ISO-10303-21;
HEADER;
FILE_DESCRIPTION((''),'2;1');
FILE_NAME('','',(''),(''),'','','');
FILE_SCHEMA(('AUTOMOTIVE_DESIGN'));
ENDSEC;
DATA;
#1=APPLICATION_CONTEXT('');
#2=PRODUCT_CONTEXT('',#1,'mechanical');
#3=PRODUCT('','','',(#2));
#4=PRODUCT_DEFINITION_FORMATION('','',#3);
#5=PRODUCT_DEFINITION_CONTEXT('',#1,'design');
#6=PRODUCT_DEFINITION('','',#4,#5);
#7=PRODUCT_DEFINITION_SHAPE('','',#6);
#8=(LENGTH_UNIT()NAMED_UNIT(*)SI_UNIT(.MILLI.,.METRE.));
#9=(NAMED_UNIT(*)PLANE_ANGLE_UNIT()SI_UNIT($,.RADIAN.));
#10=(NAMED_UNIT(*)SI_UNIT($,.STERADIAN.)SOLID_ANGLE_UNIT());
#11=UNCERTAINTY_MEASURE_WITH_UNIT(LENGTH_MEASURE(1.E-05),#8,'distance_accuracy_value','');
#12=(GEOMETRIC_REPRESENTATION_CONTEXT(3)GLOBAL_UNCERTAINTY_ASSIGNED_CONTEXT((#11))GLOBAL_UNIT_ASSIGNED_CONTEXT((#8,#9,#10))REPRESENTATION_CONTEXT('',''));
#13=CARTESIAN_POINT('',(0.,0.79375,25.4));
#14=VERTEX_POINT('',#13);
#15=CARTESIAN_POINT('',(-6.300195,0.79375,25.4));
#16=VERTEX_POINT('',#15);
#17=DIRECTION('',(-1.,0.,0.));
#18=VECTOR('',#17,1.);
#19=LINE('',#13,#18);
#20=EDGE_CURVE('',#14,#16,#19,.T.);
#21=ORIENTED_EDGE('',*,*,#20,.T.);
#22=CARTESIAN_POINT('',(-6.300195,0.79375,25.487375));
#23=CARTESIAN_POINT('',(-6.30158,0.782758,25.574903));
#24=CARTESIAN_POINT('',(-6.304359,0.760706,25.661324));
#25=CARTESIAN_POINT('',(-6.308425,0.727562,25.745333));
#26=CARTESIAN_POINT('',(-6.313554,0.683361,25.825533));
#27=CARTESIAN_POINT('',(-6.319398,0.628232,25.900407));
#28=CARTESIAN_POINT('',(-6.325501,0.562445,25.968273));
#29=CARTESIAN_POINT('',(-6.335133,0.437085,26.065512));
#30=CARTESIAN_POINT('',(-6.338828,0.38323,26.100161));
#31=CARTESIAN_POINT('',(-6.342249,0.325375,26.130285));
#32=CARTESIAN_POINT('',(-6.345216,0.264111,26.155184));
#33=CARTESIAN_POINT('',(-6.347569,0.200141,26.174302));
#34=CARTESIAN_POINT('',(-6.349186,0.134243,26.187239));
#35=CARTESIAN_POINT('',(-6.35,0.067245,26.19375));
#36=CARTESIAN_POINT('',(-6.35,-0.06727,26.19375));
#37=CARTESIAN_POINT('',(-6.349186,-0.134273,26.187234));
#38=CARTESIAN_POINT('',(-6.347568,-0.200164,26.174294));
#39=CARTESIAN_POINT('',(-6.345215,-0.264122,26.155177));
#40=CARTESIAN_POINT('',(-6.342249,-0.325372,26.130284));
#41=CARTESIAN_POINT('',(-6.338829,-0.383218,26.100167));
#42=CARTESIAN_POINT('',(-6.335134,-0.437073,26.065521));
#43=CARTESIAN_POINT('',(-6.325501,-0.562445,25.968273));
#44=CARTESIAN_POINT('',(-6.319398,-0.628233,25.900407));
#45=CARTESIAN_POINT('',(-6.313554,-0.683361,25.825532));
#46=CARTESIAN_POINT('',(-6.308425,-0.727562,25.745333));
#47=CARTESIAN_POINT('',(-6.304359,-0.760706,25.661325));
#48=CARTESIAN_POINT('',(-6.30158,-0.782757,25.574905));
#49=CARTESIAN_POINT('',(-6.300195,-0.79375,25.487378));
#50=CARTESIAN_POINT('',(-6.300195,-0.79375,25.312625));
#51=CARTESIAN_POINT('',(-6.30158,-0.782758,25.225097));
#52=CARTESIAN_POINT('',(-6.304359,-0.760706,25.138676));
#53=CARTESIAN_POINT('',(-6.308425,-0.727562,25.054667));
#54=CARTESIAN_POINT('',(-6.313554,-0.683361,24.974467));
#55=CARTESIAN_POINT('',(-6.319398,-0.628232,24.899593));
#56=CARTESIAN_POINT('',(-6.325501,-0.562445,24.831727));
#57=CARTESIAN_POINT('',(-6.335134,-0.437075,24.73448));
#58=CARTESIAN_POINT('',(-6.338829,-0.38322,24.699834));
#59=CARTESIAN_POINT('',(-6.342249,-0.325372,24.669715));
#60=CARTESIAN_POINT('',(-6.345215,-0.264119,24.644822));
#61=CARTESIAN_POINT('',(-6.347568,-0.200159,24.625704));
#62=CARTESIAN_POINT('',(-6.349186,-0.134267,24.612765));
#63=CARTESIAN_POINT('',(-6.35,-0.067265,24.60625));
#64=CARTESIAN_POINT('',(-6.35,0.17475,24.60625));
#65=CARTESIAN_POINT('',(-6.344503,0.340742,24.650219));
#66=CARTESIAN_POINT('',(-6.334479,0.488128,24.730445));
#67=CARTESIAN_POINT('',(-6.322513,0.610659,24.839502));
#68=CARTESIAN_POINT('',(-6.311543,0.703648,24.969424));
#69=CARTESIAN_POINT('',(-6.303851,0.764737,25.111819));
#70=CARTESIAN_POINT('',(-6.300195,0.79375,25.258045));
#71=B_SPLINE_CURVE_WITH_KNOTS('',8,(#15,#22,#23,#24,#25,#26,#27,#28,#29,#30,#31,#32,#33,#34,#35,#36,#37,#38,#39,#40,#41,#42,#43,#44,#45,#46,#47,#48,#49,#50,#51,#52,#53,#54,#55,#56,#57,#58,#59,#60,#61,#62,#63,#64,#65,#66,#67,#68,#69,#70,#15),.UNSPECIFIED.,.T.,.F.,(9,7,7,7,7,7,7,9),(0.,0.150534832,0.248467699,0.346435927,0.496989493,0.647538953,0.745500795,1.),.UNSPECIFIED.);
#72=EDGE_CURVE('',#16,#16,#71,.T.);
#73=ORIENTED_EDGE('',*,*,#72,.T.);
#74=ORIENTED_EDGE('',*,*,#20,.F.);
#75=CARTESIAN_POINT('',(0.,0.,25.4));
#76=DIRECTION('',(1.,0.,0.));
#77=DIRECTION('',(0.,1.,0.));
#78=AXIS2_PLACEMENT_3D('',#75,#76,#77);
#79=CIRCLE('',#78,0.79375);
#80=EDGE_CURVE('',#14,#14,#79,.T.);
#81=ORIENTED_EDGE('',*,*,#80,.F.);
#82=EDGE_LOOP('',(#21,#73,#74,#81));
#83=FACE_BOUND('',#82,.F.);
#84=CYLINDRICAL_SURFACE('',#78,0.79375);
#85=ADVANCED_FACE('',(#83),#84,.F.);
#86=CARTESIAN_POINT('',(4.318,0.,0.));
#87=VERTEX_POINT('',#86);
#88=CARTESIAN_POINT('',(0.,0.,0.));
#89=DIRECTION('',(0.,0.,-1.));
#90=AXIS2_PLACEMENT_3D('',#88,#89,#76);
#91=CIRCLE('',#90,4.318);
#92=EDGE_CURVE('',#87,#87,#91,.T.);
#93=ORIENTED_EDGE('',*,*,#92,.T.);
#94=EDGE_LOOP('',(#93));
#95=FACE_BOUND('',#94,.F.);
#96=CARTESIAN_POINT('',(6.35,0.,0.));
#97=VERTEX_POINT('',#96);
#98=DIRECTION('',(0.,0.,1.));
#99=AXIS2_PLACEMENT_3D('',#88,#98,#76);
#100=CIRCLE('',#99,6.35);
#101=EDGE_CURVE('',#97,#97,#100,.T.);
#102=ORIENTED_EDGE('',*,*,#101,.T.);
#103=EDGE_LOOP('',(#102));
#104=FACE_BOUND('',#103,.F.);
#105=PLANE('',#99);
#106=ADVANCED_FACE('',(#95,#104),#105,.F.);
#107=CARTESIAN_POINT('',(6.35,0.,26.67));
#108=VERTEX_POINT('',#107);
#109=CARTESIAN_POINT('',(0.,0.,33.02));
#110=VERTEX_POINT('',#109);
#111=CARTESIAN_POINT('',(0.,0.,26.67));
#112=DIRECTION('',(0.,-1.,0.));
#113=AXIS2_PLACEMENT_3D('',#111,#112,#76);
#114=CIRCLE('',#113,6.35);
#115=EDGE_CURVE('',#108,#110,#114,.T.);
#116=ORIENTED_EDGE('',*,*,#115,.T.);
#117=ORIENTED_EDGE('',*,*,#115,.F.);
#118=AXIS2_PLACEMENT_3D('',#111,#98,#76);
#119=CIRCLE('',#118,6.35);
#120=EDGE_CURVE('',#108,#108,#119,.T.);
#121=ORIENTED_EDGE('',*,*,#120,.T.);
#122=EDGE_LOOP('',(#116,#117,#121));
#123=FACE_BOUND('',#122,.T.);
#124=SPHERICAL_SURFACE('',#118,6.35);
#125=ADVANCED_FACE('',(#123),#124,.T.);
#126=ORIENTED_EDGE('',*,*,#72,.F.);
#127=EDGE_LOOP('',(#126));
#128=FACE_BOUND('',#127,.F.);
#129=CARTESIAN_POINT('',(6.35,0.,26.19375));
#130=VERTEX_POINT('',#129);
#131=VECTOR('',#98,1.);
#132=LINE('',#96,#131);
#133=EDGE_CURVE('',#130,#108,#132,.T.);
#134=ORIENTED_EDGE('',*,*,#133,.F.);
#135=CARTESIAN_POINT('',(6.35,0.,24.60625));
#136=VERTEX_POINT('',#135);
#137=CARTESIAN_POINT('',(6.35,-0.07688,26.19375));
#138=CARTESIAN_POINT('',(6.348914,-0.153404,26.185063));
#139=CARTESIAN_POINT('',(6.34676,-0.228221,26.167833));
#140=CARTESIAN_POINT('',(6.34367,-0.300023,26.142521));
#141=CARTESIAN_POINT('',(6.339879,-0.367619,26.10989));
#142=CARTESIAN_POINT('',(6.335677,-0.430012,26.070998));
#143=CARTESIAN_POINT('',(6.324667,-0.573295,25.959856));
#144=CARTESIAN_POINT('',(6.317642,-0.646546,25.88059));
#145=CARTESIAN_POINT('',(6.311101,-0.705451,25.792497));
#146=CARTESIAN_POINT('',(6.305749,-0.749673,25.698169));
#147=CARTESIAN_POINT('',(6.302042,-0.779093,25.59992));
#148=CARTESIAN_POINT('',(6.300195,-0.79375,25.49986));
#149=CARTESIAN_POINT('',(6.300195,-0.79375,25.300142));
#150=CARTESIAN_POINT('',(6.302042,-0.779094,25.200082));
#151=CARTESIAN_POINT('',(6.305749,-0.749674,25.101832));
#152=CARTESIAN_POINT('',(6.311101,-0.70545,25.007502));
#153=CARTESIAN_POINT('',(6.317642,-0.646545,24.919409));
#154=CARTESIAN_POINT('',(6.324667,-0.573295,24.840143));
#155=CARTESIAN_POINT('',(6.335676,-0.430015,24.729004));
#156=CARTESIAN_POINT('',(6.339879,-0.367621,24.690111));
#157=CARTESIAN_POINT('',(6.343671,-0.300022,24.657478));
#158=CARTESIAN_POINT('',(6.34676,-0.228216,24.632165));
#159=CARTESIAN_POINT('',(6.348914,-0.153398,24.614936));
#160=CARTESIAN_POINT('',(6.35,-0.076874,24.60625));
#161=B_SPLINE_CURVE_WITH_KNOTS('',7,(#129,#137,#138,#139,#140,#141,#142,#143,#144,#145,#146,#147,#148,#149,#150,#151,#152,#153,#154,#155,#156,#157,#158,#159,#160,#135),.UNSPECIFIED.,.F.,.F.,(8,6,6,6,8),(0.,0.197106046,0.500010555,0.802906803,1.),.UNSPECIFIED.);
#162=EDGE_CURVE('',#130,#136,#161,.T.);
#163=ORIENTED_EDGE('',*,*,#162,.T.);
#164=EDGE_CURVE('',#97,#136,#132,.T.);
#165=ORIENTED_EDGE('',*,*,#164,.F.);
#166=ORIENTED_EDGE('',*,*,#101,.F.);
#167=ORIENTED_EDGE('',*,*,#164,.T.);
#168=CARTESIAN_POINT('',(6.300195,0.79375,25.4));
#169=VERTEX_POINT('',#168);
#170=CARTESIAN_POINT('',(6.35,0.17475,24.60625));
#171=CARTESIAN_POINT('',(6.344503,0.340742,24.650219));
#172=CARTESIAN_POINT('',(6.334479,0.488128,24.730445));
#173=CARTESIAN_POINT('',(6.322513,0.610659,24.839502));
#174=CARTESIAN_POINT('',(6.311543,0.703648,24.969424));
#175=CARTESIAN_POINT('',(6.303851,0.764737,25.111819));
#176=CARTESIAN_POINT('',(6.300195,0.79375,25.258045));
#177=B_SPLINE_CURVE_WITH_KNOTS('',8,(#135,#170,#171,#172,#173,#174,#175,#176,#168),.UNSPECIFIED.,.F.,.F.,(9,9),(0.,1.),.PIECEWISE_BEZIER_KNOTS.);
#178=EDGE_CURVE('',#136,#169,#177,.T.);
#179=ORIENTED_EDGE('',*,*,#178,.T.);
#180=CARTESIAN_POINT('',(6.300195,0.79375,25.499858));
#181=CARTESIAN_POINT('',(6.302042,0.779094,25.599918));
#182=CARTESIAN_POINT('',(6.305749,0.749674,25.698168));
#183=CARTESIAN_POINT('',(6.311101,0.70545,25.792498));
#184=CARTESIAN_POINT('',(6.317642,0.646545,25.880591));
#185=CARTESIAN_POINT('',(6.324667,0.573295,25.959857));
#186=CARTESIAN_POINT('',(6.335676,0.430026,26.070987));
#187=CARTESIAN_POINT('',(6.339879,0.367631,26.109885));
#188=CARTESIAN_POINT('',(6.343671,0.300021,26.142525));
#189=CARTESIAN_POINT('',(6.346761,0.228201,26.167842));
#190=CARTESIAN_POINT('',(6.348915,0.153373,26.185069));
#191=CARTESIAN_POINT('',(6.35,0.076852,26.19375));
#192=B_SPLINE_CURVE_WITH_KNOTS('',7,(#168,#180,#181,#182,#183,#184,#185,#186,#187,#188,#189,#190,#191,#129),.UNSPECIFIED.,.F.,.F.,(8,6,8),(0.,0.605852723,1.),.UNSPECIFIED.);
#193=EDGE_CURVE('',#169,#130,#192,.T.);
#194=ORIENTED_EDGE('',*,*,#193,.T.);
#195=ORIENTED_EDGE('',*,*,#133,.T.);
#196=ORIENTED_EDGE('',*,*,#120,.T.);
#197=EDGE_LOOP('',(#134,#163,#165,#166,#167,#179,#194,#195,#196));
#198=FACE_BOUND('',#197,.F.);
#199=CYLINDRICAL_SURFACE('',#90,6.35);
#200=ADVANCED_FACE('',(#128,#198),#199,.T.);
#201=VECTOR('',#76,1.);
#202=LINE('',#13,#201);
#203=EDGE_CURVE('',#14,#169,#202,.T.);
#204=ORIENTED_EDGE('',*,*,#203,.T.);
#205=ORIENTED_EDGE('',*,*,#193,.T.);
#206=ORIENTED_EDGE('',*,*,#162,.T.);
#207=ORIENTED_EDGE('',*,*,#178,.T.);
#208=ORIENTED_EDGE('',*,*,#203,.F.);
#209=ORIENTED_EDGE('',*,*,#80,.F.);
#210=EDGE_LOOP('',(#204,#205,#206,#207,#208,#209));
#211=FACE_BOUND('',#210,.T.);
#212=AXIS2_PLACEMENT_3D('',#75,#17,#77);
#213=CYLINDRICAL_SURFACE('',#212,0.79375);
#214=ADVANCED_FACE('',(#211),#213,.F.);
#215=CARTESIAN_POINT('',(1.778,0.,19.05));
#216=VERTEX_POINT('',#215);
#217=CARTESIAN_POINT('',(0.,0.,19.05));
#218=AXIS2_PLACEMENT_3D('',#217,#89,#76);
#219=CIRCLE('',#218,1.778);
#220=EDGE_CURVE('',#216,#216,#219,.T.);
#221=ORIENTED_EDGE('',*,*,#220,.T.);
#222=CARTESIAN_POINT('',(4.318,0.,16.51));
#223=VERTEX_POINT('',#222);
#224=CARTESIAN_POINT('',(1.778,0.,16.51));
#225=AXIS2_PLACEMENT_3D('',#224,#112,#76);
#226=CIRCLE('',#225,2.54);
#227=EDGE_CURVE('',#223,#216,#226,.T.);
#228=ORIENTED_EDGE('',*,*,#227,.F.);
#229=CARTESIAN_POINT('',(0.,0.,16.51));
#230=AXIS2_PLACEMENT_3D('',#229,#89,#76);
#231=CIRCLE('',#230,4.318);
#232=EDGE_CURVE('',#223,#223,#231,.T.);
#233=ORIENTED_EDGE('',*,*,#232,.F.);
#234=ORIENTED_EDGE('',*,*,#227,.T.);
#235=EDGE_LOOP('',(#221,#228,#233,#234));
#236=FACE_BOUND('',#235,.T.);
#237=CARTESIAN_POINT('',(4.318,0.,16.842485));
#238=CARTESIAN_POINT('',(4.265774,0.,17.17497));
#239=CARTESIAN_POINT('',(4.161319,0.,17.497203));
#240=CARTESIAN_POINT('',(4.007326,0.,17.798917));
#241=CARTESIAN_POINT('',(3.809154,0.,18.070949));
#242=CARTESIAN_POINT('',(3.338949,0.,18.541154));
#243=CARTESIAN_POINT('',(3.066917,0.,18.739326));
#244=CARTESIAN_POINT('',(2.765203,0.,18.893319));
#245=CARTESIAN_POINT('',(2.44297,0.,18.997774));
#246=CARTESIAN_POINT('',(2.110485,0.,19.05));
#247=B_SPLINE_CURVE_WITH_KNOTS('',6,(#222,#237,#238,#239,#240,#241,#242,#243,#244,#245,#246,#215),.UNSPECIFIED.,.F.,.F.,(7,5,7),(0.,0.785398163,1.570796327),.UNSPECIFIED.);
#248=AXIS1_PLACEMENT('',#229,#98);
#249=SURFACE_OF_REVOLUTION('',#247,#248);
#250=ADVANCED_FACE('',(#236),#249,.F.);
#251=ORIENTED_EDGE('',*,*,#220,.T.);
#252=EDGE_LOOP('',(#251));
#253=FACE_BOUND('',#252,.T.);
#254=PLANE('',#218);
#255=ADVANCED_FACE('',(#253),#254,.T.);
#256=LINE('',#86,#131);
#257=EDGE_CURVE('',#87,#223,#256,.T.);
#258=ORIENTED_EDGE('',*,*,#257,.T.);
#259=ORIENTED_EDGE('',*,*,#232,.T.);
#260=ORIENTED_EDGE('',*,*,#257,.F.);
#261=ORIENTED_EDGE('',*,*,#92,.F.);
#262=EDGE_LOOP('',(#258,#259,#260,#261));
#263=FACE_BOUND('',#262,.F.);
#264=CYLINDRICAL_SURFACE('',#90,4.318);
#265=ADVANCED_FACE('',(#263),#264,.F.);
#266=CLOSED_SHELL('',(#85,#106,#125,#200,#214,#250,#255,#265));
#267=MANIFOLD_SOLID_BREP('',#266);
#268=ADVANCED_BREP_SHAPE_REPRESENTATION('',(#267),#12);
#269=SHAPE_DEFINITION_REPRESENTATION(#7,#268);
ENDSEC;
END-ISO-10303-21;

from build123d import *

# Parameters (mm, degrees)
F0_R          = 6.35
F1_DEPTH      = 33.02
F2_R          = 6.35
F3_R          = 0.79375
F4_DEPTH      = 6.351
F4_DEPTH_BACK = 25.4
F5_R          = 4.318
F6_DEPTH      = 19.05
F7_R          = 2.54


with BuildPart() as f1:
    # F0 (on Top) → F1 (new body)
    with BuildSketch(Plane.XY):
        Circle(F0_R)
    extrude(amount=F1_DEPTH)

    # F2
    f2_edges = [f1.edges().sort_by_distance(p)[0] for p in [
        (-6.35, 0, 33.02),
    ]]
    fillet(f2_edges, radius=F2_R)

    # F3 (on Right) → F4 (cut, two sides)
    with BuildSketch(Plane.YZ) as f4_sk:
        with Locations((0, 25.4)):
            Circle(F3_R)
    extrude(amount=F4_DEPTH, mode=Mode.SUBTRACT)
    extrude(f4_sk.sketch, amount=-F4_DEPTH_BACK, mode=Mode.SUBTRACT)

    # F5 (on face) → F6 (cut)
    with BuildSketch(Plane(origin=(0, 0, 0), x_dir=(1, 0, 0), z_dir=(0, 0, -1))):
        Circle(F5_R)
    extrude(amount=-F6_DEPTH, mode=Mode.SUBTRACT)

    # F7
    f7_edges = [f1.edges().sort_by_distance(p)[0] for p in [
        (-4.318, 0, 19.05),
    ]]
    fillet(f7_edges, radius=F7_R)


solid = f1.part
